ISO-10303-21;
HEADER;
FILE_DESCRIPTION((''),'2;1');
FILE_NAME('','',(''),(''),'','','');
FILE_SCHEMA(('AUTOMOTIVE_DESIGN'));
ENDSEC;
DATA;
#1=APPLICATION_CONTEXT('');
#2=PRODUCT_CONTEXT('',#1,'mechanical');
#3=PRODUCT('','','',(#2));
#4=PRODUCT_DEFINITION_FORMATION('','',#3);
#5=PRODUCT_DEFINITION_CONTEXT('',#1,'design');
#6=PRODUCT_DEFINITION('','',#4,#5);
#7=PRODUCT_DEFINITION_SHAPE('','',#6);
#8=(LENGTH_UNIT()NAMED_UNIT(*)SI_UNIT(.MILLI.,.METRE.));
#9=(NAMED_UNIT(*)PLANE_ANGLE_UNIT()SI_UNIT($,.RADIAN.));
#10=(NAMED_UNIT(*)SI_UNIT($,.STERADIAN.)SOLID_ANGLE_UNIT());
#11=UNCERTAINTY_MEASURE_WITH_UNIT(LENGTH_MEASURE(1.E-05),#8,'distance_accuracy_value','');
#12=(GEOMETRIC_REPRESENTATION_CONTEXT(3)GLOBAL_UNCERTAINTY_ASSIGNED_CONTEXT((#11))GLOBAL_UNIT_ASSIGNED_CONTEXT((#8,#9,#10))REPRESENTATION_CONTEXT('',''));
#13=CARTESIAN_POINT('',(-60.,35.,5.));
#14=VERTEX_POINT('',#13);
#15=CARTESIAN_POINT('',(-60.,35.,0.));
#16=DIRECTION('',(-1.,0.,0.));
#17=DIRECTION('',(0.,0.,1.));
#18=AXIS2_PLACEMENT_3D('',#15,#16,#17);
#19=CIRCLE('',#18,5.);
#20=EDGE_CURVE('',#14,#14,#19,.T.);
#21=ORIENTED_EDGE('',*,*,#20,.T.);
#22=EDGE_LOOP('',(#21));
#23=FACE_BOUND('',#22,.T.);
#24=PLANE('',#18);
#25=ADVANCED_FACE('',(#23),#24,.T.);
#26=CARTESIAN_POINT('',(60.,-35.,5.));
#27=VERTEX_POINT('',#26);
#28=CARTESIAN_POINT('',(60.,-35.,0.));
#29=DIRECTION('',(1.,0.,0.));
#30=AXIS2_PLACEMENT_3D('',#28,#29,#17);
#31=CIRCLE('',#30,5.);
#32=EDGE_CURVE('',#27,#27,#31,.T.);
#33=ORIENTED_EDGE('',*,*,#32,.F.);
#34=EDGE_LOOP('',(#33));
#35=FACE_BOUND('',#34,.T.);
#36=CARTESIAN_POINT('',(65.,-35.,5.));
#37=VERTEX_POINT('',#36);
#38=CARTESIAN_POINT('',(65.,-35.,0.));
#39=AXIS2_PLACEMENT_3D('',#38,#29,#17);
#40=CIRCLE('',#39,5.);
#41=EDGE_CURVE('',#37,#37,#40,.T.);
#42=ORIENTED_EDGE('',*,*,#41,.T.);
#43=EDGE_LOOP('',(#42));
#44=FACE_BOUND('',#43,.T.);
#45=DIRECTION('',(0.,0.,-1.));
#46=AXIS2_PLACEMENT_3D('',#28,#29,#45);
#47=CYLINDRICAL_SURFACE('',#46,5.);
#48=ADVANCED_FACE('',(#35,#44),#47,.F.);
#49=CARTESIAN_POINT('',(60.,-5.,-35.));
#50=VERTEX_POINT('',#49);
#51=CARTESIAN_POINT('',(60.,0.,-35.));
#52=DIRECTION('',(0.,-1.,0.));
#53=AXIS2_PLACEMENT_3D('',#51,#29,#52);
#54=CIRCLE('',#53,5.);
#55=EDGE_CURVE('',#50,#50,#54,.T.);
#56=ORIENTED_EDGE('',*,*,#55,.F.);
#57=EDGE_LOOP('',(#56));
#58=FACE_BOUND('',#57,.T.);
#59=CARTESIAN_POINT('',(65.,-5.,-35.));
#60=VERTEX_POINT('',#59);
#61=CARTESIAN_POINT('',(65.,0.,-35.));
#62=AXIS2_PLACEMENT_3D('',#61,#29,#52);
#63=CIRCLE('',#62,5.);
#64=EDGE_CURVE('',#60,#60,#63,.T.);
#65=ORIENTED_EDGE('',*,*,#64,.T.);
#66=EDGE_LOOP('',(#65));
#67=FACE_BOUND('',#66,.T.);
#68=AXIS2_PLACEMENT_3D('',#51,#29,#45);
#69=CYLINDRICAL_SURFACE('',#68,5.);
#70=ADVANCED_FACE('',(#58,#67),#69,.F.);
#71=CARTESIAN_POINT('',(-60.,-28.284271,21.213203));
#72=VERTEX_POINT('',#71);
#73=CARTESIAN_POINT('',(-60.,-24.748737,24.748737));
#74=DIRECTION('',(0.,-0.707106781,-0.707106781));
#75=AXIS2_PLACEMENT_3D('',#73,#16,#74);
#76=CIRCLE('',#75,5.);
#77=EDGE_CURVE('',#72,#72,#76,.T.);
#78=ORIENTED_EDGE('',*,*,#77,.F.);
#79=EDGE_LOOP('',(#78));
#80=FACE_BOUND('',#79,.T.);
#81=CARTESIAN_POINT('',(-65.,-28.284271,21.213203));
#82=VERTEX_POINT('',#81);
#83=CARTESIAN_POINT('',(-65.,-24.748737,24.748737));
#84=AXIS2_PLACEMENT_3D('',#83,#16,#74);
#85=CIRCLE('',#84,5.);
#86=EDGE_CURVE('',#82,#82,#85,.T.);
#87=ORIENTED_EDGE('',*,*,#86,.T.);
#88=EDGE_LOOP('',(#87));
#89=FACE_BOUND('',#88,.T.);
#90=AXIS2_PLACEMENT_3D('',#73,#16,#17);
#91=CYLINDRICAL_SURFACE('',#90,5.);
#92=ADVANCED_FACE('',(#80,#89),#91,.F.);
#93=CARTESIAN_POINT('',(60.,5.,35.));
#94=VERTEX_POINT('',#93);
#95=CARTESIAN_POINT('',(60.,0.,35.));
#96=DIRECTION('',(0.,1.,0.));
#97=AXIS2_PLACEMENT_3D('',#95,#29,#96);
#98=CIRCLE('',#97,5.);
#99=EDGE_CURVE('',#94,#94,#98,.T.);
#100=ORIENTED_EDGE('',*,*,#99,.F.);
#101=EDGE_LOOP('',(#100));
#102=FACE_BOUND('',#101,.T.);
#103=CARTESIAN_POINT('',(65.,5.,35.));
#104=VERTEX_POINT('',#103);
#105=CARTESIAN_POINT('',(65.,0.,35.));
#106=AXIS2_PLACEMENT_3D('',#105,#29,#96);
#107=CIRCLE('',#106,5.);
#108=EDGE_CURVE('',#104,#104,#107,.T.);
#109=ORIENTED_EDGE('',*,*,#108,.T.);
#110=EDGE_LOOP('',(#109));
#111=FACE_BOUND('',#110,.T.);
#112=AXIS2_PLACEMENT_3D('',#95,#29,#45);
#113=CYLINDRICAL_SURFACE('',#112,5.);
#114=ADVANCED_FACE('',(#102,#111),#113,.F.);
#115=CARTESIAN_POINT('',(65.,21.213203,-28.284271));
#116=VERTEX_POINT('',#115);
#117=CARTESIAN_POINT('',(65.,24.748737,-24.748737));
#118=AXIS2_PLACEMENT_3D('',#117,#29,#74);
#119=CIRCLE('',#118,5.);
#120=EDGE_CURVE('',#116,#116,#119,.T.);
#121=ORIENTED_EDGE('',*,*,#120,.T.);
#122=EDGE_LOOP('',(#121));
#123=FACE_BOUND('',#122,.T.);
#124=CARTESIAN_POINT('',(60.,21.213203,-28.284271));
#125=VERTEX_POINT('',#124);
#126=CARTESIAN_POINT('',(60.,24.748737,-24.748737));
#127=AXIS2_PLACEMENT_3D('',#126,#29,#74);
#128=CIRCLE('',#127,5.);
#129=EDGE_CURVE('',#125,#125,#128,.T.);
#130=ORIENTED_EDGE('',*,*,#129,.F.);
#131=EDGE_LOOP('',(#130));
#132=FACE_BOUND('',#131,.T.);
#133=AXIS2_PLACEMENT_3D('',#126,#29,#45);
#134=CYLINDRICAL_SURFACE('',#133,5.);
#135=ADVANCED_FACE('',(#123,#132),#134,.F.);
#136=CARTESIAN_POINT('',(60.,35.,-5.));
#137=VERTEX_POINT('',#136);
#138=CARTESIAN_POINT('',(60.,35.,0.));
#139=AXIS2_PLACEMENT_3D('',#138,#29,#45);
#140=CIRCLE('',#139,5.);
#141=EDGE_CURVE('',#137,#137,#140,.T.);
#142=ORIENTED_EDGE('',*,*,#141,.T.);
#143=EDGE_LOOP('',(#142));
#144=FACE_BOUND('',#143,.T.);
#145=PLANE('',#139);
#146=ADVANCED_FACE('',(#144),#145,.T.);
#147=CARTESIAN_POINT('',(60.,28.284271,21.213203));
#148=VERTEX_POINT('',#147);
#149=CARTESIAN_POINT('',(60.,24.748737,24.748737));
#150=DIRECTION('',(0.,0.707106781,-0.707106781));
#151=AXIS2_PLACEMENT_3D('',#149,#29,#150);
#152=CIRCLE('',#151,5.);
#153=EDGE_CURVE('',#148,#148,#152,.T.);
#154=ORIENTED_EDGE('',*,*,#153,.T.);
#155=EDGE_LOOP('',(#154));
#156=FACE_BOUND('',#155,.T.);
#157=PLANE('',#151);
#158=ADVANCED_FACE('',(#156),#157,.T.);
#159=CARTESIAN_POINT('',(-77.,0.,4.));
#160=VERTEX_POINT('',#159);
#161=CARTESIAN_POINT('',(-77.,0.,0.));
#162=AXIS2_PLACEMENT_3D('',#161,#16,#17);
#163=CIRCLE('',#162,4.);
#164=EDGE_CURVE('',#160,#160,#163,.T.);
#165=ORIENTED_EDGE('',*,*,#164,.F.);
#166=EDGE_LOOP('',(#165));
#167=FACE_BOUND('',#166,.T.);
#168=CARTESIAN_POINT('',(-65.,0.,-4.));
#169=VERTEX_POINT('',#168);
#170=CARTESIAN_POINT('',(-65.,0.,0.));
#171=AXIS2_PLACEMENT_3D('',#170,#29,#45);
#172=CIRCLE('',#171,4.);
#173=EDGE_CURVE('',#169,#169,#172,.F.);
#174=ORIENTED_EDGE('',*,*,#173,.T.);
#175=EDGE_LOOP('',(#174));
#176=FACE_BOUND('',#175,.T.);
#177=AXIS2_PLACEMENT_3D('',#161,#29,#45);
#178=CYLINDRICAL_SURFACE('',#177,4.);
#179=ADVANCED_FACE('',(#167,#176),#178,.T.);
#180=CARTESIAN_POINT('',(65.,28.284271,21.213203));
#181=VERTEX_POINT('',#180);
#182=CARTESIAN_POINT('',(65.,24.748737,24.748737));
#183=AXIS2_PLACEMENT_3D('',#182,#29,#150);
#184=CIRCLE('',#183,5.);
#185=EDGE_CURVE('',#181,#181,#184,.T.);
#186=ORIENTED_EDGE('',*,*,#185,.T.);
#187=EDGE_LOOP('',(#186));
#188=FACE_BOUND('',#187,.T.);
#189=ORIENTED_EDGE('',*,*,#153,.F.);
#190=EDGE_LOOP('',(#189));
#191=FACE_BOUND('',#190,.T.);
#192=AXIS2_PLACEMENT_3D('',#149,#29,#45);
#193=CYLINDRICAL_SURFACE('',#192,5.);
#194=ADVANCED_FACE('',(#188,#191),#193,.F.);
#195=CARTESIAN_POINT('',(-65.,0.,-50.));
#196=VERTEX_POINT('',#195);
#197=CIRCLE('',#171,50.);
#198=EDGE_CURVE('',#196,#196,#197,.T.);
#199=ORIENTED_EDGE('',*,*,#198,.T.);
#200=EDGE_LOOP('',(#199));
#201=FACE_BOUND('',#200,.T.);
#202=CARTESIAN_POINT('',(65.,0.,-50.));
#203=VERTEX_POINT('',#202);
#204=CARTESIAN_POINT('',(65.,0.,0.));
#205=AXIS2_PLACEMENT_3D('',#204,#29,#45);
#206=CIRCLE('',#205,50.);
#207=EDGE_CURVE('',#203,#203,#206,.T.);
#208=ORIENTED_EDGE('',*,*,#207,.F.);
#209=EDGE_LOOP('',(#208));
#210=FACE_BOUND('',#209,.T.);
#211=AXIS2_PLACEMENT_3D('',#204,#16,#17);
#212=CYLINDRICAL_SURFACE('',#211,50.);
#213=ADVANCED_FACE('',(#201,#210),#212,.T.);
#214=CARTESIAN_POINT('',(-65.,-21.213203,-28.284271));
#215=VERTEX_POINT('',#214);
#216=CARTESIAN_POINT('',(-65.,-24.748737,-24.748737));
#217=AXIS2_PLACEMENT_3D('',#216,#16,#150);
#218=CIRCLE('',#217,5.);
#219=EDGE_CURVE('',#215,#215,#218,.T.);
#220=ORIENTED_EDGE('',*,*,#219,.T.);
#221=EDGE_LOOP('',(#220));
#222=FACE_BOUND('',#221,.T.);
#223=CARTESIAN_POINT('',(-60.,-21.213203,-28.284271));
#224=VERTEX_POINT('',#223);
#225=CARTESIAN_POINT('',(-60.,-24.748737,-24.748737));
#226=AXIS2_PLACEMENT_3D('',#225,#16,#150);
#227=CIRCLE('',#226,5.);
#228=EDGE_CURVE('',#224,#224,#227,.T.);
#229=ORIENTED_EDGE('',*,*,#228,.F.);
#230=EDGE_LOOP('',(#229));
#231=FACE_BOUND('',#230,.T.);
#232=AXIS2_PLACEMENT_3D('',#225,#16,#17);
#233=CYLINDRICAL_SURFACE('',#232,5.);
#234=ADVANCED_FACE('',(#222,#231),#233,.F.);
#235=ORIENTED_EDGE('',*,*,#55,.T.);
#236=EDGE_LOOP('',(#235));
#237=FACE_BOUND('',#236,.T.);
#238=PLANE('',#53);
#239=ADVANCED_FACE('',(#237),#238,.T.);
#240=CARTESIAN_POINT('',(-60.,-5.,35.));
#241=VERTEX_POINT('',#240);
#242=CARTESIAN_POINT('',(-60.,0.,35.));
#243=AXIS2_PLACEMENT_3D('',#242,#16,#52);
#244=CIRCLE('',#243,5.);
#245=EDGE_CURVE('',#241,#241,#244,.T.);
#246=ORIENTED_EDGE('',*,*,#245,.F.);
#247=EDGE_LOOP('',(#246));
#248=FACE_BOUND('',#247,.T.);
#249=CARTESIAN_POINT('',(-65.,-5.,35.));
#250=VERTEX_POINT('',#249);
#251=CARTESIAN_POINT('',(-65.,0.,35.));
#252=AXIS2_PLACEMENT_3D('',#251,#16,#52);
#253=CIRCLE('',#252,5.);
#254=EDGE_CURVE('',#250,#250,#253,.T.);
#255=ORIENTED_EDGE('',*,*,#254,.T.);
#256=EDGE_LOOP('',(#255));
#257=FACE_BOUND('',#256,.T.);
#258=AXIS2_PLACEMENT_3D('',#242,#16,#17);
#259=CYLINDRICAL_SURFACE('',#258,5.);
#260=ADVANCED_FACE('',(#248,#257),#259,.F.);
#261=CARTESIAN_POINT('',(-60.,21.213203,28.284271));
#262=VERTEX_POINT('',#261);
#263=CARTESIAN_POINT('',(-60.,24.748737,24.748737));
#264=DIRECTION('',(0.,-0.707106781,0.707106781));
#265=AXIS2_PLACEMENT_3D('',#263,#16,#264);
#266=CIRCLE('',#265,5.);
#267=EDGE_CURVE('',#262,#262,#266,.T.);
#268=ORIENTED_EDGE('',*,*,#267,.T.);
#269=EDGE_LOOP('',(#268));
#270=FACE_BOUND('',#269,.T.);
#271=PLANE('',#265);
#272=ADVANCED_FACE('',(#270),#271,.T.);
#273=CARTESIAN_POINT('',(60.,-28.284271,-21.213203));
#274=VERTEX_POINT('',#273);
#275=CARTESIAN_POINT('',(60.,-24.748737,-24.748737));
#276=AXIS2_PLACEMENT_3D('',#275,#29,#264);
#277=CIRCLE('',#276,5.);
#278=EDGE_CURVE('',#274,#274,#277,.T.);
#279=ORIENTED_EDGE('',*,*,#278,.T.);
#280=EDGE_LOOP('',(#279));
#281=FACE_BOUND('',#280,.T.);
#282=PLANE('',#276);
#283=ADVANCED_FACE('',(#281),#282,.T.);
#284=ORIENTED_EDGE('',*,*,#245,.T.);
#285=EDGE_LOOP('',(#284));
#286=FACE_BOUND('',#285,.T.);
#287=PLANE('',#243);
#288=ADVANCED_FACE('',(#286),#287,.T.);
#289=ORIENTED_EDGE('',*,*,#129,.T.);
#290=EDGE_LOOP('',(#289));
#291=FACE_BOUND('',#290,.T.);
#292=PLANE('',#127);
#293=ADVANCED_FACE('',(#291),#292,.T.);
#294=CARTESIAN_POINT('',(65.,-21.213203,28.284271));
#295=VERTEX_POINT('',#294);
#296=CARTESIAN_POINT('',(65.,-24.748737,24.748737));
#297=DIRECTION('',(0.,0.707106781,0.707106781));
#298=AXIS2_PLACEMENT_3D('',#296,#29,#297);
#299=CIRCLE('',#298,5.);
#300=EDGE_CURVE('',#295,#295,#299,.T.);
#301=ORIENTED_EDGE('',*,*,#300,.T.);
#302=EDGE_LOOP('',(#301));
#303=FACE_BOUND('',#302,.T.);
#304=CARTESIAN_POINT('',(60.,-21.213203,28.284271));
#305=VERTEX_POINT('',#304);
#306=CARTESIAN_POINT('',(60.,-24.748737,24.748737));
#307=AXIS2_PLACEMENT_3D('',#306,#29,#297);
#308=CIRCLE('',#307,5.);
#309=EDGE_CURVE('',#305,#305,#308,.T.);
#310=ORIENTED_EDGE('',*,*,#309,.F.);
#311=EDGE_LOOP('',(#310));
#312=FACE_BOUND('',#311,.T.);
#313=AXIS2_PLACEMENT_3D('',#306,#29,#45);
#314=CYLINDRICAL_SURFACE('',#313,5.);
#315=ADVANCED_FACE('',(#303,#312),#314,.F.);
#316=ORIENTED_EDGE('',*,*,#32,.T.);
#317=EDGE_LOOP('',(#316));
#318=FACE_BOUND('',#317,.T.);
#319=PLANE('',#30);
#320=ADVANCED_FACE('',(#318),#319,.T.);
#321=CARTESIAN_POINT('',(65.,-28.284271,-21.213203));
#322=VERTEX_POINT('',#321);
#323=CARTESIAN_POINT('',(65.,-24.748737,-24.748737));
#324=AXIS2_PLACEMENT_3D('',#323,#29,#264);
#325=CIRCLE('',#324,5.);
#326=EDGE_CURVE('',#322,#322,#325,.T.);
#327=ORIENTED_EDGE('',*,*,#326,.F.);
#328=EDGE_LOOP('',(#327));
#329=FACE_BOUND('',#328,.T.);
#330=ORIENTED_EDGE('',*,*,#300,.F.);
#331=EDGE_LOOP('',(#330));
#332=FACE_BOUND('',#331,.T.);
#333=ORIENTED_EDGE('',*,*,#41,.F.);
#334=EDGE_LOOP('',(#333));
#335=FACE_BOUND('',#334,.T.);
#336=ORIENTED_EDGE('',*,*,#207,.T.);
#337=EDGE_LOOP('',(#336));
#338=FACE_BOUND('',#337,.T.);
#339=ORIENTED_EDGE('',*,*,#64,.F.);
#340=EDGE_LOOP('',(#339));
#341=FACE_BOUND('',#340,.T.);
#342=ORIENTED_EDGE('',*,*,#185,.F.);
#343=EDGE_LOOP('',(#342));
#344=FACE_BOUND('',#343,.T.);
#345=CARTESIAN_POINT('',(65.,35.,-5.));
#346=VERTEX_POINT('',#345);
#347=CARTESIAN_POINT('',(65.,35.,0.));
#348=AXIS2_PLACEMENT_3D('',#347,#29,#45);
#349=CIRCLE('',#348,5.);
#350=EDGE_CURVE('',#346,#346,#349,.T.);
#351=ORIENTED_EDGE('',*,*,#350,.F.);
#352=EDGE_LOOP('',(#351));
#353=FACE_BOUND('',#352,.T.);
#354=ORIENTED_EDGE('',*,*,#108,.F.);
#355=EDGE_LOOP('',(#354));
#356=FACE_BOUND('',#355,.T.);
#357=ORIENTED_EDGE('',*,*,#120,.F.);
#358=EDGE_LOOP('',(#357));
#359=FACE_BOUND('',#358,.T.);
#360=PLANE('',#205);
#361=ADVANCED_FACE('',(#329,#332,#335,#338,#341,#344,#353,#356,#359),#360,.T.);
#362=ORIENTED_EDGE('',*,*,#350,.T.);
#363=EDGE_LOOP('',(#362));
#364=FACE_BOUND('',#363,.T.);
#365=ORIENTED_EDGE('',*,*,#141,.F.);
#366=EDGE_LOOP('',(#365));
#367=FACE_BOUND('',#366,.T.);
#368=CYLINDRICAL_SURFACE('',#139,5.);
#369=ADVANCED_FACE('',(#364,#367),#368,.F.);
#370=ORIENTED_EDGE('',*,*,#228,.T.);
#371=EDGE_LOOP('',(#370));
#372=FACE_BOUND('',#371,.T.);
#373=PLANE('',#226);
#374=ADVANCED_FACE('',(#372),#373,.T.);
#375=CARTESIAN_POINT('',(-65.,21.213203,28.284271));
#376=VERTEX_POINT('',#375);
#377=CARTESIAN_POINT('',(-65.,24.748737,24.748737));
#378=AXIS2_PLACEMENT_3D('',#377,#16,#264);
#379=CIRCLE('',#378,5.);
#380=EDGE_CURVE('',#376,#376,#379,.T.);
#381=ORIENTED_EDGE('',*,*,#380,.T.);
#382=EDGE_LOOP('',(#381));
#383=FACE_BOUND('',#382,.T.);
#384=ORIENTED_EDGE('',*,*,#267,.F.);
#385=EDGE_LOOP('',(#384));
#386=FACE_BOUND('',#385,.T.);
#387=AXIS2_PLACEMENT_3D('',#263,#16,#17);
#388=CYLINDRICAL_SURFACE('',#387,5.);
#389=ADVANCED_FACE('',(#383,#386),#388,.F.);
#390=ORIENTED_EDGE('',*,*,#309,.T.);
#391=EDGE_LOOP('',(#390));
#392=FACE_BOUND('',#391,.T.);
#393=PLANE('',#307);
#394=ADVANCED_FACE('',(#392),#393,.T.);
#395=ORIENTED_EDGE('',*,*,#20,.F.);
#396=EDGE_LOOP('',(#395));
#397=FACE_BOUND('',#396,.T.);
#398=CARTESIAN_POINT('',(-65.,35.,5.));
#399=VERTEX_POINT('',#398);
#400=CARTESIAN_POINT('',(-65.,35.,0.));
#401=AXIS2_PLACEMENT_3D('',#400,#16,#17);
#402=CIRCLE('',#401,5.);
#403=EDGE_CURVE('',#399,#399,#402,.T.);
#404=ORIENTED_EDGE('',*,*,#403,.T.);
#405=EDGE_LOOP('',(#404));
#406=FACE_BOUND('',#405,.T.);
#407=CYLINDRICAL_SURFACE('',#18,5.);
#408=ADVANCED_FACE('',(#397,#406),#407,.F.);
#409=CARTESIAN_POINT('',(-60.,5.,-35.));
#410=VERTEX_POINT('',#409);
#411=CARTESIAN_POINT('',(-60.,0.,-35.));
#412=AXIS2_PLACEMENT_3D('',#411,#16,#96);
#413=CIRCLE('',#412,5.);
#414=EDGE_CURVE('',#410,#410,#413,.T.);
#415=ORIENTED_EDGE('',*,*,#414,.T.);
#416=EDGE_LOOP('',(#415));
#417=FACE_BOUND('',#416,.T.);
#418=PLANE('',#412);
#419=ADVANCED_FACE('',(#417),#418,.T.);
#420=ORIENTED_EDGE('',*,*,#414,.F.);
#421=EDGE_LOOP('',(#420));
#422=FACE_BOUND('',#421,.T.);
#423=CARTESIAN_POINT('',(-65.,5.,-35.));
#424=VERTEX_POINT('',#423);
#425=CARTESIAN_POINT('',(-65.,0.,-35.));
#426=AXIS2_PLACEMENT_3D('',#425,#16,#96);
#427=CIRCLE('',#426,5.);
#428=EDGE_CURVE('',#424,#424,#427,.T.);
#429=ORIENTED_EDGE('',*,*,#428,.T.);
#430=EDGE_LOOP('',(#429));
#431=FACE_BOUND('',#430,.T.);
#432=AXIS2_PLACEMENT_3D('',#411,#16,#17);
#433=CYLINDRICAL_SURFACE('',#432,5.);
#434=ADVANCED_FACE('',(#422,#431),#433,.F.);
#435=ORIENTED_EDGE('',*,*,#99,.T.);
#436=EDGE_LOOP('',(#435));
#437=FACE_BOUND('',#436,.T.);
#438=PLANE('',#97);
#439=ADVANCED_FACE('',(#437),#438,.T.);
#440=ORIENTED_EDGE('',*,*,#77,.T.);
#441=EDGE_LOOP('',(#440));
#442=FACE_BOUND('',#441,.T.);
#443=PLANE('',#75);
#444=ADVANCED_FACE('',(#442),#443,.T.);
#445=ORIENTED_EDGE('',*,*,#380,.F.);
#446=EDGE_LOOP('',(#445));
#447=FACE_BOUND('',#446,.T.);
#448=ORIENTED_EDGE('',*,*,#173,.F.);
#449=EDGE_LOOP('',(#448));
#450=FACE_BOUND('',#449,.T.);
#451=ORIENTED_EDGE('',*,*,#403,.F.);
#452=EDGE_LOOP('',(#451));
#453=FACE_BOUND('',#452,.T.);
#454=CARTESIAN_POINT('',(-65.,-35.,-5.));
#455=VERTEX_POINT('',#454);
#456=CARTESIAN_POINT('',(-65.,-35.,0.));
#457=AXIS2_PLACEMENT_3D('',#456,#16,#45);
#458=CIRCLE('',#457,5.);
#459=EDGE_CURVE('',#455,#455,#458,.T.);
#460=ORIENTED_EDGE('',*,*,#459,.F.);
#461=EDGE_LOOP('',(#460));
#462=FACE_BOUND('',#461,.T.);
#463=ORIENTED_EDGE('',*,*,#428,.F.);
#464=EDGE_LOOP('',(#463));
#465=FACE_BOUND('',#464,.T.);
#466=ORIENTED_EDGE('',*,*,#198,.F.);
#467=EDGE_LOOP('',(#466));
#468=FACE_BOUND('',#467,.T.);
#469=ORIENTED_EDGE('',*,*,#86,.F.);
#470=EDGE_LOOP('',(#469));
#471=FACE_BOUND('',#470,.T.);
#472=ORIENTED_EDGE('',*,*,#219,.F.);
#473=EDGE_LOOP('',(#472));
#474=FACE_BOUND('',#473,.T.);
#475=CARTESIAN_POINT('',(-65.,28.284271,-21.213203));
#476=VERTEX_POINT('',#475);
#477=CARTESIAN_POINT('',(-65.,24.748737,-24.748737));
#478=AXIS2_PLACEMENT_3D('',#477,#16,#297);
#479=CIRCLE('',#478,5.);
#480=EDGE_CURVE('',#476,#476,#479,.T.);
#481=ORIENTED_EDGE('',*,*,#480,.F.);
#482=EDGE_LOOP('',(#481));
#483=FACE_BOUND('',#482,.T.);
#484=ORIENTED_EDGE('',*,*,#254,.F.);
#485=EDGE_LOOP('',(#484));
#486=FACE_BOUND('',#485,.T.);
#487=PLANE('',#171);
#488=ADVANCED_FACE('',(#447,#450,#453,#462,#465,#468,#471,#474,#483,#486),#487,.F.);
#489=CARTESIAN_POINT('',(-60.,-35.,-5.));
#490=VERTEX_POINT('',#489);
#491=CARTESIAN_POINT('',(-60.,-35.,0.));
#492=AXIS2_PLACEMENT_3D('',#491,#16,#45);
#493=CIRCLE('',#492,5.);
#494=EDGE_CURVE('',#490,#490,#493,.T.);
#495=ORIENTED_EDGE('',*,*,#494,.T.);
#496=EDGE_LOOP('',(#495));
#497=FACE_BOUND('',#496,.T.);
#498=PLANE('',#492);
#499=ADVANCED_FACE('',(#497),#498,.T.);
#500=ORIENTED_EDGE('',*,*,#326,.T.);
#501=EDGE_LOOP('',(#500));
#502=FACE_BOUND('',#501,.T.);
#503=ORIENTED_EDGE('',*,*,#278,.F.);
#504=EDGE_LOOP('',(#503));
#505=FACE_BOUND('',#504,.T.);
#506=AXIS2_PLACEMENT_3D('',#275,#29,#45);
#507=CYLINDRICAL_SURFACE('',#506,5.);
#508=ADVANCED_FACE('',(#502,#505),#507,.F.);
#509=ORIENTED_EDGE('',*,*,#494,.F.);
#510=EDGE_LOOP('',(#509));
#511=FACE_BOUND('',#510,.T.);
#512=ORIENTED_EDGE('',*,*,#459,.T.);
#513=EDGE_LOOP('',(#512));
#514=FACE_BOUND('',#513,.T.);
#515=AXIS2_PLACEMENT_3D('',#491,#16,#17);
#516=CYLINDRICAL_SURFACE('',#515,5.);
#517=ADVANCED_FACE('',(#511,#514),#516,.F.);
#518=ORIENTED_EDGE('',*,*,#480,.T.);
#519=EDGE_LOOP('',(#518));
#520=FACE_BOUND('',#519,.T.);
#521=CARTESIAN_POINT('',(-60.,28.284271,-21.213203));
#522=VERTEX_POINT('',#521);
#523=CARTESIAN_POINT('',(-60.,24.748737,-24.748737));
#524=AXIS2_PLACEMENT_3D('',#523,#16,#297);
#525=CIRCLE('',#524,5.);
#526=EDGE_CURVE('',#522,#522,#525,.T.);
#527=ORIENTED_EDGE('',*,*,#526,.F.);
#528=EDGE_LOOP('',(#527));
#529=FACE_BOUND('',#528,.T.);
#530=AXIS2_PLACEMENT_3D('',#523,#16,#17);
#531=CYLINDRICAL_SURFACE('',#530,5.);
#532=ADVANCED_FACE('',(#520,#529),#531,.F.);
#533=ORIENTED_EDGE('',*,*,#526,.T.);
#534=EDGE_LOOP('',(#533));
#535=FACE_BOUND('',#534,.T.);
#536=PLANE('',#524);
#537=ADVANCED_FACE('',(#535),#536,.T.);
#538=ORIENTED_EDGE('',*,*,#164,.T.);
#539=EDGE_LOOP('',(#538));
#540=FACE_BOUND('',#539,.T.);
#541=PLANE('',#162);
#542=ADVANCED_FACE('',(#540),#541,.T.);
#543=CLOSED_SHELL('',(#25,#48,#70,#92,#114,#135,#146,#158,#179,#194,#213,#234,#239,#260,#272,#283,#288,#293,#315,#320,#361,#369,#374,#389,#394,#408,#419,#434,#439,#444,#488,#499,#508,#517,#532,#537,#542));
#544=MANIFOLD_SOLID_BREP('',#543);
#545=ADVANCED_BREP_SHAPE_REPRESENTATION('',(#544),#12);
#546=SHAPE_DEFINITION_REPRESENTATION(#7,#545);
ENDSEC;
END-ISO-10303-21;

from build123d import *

# Parameters (mm, degrees)
SKETCH1_R           = 50
BOSS_EXTRUDE1_DEPTH = 65
SKETCH2_R           = 4
BOSS_EXTRUDE2_DEPTH = 12
SKETCH3_R           = 5
CUT_EXTRUDE1_DEPTH  = 5
CIRPATTERN1_COUNT   = 8
SKETCH4_R           = 5
CUT_EXTRUDE2_DEPTH  = 5
CIRPATTERN2_COUNT   = 8


with BuildPart() as part:
    # Sketch1 → Boss-Extrude1 (new body, symmetric)
    with BuildSketch(Plane(origin=(0, 0, 0), x_dir=(0, 0, -1), z_dir=(1, 0, 0))):
        Circle(SKETCH1_R)
    extrude(amount=BOSS_EXTRUDE1_DEPTH, both=True)

    # Sketch2 → Boss-Extrude2 (add)
    with BuildSketch(Plane.ZY.offset(65)):
        Circle(SKETCH2_R)
    extrude(amount=BOSS_EXTRUDE2_DEPTH)

    # Sketch3 → Cut-Extrude1 (cut)
    with BuildSketch(Plane.ZY.offset(65)):
        with Locations((0, 35)):
            Circle(SKETCH3_R)
    cut_extrude1 = extrude(amount=-CUT_EXTRUDE1_DEPTH, mode=Mode.SUBTRACT)

    # CirPattern1: Cut-Extrude1 ×8 about axis
    cirpattern1_axis = Axis((0, 0, 0), (1, 0, 0))
    for i in range(1, CIRPATTERN1_COUNT):
        add(cut_extrude1.rotate(cirpattern1_axis, i * 360 / CIRPATTERN1_COUNT), mode=Mode.SUBTRACT)

    # Sketch4 → Cut-Extrude2 (cut)
    with BuildSketch(Plane(origin=(65, 0, 0), x_dir=(0, 0, -1), z_dir=(1, 0, 0))):
        with Locations((0, 35)):
            Circle(SKETCH4_R)
    cut_extrude2 = extrude(amount=-CUT_EXTRUDE2_DEPTH, mode=Mode.SUBTRACT)

    # CirPattern2: Cut-Extrude2 ×8 about axis
    cirpattern2_axis = Axis((0, 0, 0), (1, 0, 0))
    for i in range(1, CIRPATTERN2_COUNT):
        add(cut_extrude2.rotate(cirpattern2_axis, i * 360 / CIRPATTERN2_COUNT), mode=Mode.SUBTRACT)


solid = part.part
